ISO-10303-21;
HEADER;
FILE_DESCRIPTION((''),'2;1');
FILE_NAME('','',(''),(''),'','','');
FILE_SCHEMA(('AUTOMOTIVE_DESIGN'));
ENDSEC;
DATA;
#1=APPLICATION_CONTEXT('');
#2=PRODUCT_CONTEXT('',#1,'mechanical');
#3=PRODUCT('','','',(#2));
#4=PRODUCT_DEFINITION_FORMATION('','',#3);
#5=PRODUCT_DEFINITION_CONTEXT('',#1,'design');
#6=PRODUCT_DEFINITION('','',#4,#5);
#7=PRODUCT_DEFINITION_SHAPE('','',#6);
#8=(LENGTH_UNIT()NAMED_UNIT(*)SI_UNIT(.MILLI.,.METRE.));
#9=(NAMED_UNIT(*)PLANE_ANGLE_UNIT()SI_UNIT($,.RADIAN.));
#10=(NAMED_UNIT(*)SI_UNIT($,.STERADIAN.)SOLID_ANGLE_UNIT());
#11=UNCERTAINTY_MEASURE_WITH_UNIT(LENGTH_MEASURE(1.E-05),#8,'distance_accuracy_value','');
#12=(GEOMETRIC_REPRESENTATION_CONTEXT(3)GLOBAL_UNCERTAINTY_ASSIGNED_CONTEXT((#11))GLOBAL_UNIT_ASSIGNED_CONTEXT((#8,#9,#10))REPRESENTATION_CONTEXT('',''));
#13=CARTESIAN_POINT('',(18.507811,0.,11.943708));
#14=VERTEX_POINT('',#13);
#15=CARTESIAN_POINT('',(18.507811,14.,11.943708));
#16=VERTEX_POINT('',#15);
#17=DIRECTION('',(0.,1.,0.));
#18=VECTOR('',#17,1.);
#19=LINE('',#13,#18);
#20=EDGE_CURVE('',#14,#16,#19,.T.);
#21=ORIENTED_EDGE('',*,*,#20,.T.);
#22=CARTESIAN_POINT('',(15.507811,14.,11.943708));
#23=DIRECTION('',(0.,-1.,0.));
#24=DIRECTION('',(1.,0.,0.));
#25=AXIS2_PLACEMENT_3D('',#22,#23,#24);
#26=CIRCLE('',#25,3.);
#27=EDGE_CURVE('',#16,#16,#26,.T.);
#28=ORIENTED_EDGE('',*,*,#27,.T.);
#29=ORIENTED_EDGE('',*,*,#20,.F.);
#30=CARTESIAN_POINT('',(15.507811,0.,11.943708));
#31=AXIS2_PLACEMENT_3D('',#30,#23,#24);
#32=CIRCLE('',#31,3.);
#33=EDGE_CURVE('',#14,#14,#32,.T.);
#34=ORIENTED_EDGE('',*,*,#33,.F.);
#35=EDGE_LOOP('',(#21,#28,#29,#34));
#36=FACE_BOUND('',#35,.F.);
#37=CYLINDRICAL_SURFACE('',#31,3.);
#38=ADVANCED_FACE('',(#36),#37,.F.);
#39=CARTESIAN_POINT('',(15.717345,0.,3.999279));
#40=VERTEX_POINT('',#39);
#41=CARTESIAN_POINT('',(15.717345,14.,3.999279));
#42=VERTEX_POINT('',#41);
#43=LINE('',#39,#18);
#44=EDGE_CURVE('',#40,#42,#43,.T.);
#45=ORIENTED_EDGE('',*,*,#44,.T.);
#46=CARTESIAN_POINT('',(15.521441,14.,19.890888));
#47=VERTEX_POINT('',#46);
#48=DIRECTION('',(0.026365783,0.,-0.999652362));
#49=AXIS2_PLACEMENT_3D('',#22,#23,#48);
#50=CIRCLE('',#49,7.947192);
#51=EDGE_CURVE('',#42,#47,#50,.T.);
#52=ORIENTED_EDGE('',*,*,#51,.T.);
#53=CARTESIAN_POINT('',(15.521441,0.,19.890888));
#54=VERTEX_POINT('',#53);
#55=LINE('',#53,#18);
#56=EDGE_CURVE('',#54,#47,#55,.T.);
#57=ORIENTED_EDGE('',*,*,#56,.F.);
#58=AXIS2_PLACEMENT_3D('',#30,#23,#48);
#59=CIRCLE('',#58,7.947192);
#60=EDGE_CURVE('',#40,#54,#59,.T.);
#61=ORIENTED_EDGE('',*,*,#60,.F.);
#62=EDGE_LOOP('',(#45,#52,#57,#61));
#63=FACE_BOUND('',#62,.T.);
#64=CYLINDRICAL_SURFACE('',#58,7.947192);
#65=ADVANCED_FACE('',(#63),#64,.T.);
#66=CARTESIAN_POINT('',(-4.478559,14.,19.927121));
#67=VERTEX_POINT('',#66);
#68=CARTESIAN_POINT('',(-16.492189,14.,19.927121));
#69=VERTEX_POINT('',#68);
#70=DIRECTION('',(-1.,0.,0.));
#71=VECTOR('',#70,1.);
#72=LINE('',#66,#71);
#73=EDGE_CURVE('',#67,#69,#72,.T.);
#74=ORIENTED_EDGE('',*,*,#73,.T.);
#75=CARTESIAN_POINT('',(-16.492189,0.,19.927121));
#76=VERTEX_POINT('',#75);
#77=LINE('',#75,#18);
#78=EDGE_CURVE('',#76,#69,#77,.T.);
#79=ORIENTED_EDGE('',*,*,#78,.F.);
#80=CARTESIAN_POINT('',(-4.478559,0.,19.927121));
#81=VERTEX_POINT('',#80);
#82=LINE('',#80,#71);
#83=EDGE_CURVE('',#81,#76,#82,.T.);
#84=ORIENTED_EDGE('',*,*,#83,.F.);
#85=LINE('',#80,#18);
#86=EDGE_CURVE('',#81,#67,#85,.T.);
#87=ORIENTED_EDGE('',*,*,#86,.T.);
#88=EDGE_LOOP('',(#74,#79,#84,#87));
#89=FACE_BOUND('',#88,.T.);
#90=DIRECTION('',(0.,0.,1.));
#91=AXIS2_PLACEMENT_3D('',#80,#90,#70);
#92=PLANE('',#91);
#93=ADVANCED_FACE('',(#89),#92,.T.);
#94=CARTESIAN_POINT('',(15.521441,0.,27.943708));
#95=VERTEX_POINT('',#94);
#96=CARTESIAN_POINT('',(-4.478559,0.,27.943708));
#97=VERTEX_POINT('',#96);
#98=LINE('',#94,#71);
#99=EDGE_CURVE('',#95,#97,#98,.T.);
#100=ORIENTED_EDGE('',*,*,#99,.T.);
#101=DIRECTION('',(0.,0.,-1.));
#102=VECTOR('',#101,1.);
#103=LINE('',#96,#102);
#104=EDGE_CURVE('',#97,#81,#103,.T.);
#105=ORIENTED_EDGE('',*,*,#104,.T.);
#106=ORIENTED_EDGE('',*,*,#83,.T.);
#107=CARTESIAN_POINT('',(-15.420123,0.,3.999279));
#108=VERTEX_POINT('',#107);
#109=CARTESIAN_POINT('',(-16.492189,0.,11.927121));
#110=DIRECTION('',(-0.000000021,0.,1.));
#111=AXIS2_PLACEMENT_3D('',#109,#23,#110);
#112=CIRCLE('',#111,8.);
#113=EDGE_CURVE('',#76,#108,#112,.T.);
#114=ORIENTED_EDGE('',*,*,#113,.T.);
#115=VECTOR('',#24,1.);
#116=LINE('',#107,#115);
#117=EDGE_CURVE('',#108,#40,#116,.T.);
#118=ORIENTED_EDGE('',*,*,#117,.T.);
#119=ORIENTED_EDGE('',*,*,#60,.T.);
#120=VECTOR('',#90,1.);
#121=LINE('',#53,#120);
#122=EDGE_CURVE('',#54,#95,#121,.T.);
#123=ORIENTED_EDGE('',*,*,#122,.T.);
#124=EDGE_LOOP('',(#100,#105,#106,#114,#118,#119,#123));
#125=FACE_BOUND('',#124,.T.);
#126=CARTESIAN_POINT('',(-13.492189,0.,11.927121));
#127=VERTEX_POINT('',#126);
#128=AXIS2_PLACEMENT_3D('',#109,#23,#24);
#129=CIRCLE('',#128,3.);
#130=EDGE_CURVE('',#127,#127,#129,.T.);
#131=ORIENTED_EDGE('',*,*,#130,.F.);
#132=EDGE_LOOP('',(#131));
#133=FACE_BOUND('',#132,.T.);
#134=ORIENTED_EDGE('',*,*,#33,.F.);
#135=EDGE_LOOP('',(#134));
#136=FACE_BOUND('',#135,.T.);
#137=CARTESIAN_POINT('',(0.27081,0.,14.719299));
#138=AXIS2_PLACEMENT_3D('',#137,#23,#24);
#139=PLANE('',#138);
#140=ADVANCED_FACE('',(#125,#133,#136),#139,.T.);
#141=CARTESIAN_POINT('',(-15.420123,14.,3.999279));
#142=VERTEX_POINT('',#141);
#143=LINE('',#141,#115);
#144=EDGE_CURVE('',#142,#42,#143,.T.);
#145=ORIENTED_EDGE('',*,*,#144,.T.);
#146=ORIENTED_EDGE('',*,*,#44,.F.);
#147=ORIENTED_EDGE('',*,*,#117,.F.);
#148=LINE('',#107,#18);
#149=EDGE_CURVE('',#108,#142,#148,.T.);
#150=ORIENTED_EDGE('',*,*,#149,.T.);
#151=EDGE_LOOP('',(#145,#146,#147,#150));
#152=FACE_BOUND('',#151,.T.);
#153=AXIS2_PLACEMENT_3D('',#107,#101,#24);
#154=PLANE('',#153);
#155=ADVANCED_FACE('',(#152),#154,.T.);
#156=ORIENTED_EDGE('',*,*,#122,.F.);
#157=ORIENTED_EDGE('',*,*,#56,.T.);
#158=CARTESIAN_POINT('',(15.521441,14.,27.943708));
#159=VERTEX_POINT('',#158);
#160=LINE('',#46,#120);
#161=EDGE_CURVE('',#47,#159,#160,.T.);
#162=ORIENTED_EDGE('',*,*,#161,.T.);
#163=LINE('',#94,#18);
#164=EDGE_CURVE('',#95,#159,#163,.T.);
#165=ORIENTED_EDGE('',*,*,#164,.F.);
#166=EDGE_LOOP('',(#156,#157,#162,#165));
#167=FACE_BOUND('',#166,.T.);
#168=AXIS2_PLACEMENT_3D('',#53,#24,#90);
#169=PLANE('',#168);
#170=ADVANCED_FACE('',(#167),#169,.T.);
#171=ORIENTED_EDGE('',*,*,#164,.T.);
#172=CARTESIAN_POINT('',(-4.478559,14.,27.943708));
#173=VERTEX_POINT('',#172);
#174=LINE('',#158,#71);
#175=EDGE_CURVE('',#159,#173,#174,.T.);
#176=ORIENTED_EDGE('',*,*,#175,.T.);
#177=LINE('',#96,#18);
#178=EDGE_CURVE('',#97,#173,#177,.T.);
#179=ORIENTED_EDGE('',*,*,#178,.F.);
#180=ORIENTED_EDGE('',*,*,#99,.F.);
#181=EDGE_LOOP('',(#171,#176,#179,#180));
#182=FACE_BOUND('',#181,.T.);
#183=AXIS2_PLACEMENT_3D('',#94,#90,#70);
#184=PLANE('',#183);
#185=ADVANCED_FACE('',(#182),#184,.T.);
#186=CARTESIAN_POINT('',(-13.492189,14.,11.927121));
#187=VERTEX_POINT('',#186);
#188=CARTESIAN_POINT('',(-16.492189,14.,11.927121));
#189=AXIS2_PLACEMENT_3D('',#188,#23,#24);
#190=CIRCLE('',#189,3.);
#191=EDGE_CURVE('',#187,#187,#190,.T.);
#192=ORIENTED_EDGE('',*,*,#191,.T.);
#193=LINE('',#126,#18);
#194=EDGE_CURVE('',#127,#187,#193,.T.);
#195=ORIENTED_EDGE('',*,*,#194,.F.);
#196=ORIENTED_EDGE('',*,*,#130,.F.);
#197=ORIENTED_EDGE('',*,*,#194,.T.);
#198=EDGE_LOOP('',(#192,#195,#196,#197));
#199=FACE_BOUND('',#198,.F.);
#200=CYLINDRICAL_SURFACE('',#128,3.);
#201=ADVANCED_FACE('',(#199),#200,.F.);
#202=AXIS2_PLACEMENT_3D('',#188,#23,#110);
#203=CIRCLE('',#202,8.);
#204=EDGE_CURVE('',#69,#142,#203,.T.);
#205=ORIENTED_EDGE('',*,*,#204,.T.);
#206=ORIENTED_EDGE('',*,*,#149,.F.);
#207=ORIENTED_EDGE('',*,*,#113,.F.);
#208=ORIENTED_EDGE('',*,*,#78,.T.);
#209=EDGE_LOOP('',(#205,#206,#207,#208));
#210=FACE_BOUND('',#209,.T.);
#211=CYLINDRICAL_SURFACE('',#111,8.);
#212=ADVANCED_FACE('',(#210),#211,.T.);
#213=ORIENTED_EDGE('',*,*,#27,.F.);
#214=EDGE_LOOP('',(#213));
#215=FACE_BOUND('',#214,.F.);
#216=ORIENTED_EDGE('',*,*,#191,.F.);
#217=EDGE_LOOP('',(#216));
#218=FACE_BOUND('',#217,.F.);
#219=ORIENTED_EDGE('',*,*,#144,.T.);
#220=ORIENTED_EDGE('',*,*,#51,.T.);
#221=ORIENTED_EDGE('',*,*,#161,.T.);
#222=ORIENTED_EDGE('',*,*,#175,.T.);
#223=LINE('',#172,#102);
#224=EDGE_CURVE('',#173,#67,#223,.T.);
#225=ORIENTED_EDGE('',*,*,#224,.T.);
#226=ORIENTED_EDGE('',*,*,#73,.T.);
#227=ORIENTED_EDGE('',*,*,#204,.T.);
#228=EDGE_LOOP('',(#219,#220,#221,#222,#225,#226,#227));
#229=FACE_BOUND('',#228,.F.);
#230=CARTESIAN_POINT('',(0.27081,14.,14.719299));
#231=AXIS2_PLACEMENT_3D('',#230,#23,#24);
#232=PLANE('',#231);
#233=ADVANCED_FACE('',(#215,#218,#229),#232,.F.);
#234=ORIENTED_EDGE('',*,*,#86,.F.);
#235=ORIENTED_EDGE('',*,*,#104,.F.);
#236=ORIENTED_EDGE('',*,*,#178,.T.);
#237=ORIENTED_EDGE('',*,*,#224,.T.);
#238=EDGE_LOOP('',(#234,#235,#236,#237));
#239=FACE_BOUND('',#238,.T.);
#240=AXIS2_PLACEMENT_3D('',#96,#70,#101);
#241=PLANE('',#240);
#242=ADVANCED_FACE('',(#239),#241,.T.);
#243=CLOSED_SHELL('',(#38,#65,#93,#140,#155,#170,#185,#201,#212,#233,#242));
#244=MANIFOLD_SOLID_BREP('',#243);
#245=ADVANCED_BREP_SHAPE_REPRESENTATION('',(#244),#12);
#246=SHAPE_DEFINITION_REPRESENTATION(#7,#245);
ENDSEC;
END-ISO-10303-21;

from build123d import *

# Parameters (mm, degrees)
F0_R     = 3
F1_DEPTH = 14


with BuildPart() as f1:
    # F0 (on Front) → F1 (new body)
    with BuildSketch(Plane.XZ):
        with BuildLine():
            ThreePointArc((-16.492189, 19.927121), (-24.474129, 11.389875), (-15.420123, 3.999279))
            Line((-15.420123, 3.999279), (15.717345, 3.999279))
            ThreePointArc((15.717345, 3.999279), (23.454399, 12.041669), (15.521441, 19.890888))
            Line((15.521441, 19.890888), (15.521441, 27.943708))
            Line((15.521441, 27.943708), (-4.478559, 27.943708))
            Line((-4.478559, 27.943708), (-4.478559, 19.927121))
            Line((-4.478559, 19.927121), (-16.492189, 19.927121))
        make_face()
        with Locations((-16.492189, 11.927121)):
            Circle(F0_R, mode=Mode.SUBTRACT)
        with Locations((15.507811, 11.943708)):
            Circle(F0_R, mode=Mode.SUBTRACT)
    extrude(amount=-F1_DEPTH)


solid = f1.part
